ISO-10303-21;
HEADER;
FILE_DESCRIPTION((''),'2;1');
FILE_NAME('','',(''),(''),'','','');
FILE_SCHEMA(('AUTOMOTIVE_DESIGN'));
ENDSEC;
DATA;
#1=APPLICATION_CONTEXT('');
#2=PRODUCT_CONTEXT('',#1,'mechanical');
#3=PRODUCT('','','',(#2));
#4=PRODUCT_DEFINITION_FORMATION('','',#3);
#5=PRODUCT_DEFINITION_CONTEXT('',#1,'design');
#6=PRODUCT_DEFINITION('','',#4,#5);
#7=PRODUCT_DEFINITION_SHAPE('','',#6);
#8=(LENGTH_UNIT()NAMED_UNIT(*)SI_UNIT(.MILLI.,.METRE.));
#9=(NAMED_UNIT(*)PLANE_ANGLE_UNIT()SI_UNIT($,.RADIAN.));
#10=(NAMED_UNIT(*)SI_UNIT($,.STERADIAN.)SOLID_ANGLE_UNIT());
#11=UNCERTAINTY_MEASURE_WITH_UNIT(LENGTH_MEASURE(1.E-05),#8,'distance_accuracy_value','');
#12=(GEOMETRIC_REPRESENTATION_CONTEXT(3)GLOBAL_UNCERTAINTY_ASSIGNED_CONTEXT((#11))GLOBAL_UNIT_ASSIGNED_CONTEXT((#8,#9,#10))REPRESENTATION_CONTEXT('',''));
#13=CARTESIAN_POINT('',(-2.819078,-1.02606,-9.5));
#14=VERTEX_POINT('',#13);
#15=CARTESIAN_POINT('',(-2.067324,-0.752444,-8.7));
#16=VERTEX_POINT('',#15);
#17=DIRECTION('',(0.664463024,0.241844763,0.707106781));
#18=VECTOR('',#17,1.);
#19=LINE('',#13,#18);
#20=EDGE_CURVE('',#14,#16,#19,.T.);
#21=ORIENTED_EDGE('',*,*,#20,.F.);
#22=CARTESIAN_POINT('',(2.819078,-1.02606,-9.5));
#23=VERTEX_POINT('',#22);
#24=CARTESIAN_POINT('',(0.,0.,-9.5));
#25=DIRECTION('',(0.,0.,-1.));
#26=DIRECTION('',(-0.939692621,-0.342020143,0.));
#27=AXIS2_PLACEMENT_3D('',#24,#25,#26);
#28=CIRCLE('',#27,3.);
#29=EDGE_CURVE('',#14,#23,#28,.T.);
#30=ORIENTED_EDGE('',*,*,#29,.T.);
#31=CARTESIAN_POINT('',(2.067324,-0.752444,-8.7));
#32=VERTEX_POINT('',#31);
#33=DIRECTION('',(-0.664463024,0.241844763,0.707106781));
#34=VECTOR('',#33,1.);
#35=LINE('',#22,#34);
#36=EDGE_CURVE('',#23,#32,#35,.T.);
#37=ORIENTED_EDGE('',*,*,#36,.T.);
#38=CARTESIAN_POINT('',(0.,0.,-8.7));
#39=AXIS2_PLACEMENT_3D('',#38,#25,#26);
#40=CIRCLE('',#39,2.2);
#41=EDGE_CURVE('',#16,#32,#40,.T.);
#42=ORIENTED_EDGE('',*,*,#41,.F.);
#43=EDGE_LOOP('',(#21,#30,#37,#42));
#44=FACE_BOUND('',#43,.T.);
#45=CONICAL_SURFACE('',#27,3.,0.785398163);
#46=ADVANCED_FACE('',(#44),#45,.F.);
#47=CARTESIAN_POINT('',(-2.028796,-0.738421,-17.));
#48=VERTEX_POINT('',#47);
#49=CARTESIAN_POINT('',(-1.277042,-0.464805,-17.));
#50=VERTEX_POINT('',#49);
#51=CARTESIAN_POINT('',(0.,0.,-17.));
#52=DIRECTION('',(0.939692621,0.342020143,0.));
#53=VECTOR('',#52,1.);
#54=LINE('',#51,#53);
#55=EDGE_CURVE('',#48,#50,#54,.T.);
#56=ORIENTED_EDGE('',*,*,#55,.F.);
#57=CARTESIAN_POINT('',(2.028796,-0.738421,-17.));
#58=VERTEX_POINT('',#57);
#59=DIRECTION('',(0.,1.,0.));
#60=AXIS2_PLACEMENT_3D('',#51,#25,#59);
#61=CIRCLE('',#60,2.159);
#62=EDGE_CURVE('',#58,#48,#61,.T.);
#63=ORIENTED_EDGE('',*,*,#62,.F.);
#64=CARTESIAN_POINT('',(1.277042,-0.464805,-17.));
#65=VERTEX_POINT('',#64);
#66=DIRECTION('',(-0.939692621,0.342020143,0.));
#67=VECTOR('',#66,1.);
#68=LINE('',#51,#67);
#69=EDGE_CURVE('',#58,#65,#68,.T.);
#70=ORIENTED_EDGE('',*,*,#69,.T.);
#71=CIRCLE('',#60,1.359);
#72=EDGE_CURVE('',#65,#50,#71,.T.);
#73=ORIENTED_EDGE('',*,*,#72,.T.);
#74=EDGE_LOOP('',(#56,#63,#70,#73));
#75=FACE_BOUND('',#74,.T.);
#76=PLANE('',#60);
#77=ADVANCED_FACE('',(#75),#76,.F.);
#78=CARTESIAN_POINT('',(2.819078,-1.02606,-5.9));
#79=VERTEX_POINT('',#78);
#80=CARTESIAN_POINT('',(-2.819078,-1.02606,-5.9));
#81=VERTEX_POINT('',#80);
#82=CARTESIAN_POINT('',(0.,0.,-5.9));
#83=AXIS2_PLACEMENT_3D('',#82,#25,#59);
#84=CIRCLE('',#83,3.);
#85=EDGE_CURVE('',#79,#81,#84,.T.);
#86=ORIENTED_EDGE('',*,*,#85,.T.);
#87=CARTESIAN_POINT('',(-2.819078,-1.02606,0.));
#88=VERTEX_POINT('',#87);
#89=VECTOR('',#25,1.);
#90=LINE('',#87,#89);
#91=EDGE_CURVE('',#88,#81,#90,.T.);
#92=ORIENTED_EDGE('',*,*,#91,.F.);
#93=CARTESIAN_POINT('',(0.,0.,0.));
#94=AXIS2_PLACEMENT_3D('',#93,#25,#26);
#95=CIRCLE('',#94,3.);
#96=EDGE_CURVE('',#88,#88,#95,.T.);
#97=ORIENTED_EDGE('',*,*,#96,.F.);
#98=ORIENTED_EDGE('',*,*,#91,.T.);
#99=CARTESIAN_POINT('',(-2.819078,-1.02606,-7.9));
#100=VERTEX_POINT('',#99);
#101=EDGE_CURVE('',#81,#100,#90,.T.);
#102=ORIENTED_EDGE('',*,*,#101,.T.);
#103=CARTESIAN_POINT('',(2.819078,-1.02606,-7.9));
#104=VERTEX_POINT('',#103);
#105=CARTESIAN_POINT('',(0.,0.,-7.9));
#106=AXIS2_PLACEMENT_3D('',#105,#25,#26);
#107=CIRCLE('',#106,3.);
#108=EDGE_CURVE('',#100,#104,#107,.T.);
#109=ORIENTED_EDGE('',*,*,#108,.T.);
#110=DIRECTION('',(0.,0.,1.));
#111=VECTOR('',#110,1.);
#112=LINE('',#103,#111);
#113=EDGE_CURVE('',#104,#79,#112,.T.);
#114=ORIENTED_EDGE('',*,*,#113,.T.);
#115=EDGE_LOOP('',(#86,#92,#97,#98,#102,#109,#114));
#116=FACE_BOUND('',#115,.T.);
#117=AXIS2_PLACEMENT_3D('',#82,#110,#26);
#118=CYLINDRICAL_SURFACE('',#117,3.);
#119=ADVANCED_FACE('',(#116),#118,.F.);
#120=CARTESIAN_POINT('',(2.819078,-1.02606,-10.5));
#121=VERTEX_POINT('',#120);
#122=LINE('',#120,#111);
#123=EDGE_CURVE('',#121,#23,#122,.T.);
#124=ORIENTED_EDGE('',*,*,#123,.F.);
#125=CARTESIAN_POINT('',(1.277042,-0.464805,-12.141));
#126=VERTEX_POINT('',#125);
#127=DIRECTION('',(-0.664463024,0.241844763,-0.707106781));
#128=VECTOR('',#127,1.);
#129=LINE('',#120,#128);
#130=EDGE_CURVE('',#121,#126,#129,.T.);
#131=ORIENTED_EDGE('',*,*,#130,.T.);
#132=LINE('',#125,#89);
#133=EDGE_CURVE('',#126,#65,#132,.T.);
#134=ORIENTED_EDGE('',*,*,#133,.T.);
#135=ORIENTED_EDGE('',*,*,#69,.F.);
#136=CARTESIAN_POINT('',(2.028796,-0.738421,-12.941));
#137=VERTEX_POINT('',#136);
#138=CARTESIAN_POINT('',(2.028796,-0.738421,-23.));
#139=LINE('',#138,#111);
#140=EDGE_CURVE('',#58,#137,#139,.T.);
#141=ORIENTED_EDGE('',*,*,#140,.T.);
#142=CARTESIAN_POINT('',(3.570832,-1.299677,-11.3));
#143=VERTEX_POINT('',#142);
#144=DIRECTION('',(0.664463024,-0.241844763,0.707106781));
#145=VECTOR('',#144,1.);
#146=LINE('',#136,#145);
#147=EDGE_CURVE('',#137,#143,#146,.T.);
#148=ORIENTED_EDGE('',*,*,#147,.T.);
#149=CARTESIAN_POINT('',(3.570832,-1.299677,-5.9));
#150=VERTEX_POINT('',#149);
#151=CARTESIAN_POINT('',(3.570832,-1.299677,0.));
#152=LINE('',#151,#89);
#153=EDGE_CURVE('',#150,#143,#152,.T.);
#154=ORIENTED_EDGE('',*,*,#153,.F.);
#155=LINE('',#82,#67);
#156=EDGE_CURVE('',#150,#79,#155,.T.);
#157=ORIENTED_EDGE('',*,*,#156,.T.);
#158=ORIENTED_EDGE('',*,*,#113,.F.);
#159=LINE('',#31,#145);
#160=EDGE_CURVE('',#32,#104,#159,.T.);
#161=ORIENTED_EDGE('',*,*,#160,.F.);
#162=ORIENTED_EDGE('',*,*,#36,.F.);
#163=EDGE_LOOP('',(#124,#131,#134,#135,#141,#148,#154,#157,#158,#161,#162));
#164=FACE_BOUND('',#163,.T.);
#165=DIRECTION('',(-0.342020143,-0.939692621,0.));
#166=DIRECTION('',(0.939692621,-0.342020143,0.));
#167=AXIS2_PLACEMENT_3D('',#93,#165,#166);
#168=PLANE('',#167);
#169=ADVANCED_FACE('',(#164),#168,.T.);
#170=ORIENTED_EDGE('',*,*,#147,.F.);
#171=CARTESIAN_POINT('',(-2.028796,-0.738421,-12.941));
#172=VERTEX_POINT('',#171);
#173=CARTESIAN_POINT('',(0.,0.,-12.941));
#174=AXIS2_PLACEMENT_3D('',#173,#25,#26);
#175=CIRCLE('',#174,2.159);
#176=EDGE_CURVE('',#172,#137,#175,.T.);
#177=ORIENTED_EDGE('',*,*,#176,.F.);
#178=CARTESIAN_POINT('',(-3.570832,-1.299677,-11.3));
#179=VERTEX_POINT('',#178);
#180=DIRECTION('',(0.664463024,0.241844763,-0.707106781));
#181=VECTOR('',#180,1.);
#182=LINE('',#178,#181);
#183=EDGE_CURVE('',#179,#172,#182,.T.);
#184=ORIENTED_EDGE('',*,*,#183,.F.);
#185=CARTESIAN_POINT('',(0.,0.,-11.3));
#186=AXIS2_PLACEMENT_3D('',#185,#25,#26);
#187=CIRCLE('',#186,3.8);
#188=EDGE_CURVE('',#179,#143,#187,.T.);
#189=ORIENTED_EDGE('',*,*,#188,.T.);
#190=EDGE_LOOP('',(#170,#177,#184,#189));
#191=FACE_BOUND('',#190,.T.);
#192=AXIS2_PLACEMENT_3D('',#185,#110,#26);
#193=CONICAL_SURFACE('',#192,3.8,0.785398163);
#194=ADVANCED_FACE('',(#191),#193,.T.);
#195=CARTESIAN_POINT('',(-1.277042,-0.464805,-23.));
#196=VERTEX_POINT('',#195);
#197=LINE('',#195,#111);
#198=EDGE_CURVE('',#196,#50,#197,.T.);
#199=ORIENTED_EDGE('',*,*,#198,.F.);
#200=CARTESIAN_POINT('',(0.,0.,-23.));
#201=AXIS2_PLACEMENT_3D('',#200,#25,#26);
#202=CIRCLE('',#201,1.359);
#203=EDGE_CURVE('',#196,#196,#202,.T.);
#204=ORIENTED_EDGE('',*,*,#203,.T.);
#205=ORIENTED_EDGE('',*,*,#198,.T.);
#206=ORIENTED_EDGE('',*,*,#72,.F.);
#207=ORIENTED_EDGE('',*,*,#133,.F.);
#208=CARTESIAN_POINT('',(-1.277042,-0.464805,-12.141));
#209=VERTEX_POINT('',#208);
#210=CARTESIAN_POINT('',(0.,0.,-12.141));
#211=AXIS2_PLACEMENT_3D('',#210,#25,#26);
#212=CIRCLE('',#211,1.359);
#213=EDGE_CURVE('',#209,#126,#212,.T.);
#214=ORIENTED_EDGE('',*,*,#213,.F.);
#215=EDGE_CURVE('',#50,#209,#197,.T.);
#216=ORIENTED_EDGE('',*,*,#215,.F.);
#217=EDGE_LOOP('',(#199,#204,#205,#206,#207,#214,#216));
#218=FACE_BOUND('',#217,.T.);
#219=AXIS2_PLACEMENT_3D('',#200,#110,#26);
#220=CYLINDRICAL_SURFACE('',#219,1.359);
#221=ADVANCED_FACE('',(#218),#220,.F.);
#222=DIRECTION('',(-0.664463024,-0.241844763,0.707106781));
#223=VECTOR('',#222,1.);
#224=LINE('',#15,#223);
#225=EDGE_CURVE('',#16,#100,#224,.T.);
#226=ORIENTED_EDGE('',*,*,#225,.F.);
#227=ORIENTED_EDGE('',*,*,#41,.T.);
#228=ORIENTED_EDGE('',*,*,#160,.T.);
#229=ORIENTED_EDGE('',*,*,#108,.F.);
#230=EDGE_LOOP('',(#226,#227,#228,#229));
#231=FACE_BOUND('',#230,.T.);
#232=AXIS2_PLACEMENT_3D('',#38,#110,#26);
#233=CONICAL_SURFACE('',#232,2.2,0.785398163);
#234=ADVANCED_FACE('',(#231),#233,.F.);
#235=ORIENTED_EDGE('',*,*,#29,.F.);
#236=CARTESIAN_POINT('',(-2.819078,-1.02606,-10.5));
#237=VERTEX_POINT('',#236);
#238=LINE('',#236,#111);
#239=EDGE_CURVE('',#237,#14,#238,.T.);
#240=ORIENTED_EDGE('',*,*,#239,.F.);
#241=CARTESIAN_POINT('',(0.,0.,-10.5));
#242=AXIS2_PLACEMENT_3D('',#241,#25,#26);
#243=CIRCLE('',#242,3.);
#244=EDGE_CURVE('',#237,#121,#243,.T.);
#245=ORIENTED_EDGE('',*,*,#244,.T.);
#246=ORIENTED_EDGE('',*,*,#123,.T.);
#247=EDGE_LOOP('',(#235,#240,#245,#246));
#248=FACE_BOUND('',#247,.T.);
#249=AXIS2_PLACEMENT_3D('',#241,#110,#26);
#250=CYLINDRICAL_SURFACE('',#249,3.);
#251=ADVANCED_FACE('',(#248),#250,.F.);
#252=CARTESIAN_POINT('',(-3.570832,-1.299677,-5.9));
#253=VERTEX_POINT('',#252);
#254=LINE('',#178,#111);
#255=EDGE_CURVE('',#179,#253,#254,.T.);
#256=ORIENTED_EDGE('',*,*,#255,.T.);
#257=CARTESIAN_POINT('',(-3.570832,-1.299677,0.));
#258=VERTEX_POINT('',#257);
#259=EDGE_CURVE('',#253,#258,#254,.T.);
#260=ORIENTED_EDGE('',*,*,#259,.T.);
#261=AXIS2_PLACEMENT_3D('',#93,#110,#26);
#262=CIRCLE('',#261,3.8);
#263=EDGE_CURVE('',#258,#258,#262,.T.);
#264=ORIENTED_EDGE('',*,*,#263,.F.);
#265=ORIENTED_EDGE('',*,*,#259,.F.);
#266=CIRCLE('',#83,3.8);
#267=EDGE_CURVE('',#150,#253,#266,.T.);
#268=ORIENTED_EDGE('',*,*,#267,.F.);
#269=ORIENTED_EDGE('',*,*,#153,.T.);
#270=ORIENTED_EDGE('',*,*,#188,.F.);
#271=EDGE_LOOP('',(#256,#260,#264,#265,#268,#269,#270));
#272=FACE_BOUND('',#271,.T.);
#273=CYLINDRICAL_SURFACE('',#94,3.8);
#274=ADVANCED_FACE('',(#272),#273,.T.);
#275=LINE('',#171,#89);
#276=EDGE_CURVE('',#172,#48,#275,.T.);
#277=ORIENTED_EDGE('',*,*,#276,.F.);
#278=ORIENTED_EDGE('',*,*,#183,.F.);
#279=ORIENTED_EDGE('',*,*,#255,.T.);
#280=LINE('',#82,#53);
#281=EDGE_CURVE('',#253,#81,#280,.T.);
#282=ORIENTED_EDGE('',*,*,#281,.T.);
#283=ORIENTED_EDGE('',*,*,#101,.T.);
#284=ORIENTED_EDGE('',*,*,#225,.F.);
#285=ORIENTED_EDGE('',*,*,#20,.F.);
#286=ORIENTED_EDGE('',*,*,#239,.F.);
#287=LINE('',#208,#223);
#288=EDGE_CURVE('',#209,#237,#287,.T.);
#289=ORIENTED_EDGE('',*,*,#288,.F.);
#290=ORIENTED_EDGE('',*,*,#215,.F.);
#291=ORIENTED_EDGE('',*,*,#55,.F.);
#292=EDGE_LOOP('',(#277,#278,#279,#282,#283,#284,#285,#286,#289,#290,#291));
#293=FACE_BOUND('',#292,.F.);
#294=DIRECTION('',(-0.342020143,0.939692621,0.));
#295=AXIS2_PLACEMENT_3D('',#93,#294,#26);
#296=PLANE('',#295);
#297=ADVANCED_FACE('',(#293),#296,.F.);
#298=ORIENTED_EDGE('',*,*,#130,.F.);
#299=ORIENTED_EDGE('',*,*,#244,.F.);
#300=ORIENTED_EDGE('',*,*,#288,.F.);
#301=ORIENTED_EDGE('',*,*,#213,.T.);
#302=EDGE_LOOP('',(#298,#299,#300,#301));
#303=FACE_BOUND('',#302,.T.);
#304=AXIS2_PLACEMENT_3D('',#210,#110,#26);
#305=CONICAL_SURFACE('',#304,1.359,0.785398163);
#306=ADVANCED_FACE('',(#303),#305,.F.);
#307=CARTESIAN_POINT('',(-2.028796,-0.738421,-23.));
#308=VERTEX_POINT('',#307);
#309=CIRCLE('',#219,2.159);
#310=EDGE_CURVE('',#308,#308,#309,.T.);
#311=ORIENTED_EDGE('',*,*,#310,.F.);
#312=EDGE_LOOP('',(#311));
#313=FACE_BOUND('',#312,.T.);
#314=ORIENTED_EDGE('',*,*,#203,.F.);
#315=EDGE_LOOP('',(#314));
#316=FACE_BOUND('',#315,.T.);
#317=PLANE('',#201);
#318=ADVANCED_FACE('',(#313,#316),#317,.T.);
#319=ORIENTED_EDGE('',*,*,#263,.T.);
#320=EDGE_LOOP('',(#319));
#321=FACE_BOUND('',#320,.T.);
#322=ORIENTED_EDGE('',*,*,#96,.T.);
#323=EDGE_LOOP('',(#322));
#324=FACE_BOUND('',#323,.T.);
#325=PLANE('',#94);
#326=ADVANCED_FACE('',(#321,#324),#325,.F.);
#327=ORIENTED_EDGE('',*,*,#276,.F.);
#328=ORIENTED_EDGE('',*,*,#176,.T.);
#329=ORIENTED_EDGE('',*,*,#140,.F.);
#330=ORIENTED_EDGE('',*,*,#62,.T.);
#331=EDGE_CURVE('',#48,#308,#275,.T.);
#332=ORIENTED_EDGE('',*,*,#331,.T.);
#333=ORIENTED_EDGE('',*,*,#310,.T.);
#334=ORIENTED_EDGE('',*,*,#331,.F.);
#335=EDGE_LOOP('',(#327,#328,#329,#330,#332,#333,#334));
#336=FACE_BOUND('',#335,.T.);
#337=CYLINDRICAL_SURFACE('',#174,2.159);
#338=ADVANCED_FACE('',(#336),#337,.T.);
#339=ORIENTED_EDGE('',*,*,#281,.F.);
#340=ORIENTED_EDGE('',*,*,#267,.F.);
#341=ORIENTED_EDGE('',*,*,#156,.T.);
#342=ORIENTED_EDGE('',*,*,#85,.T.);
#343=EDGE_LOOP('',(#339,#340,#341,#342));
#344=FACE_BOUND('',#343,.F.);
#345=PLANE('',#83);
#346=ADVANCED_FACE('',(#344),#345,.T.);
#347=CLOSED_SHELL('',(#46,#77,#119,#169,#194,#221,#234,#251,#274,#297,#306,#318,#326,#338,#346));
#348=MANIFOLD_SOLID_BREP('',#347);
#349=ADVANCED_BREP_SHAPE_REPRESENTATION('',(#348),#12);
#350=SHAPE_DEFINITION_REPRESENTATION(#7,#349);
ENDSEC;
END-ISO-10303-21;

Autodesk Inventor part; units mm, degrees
ref_plane "YZ Plane" through (0, 0, 0) normal (1, 0, 0) x (0, 1, 0)
ref_plane "XZ Plane" through (0, 0, 0) normal (0, 1, 0) x (-1, 0, 0)
ref_plane "XY Plane" through (0, 0, 0) normal (0, 0, 1) x (1, 0, 0)
sketch "Sketch1" plane through (0, 0, 0) normal (1, 0, 0) x (0, 1, 0)
  line L0 (0, 0) -> (0, 0)
  line L1 (3, 0) -> (3.8, 0)
  line L2 (3.8, 0) -> (3.8, -1.23)
  line L3 (3.8, -1.23) -> (3.8, -8.7)
  line L4 (3.8, -8.7) -> (3.8, -11.3)
  line L5 (3.8, -11.3) -> (3.6318, -11.4682)
  line L6 (2.2, -11.3) -> (3, -10.5)
  line L7 (3, -10.5) -> (3, -9.5)
  line L8 (3, -9.5) -> (2.2, -8.7)
  line L9 (2.2, -8.7) -> (3, -7.9)
  line L10 (3, -5.9) -> (3.8, -5.9)
  line L11 (3.6318, -11.4682) -> (2.159, -12.941)
  line L12 (2.159, -12.941) -> (2.159, -23)
  line L13 (2.159, -23) -> (1.359, -23)
  line L14 (1.359, -23) -> (1.359, -12.141)
  line L15 (1.359, -12.141) -> (2.2, -11.3)
  line L16 (0, 0) -> (0, -2.45)
  line L17 (1.359, -17) -> (2.159, -17)
  line L18 (3, -5.9) -> (3, 0)
  line L19 (3, -5.9) -> (3, -7.9)
  point P0 (3, -10)
  dimension "d1" = 1
  dimension "d3" = 0.8
  dimension "d5" = 3
  dimension "d7" = 10
  dimension "d10" = 0.8
  dimension "d11" = 13
  dimension "d15" = 135
  dimension "d16" = 2.159
  dimension "d18" = 6
  dimension "d22" = 0.8
  dimension "d23" = 3.8
  dimension "d24" = 0.8
  dimension "d25" = 2
revolve "Revolution1" add sketch "Sketch1" angle 220 mid plane about axis through (0, 0, 0) along (0, 0, -1)
revolve "Revolution2" add sketch "Sketch1" angle 360 about axis through (0, 0, 0) along (0, 0, -1) contours L1 L2 L3 L10 L18 | L12 L13 L14 L17
properties part number "objective"
